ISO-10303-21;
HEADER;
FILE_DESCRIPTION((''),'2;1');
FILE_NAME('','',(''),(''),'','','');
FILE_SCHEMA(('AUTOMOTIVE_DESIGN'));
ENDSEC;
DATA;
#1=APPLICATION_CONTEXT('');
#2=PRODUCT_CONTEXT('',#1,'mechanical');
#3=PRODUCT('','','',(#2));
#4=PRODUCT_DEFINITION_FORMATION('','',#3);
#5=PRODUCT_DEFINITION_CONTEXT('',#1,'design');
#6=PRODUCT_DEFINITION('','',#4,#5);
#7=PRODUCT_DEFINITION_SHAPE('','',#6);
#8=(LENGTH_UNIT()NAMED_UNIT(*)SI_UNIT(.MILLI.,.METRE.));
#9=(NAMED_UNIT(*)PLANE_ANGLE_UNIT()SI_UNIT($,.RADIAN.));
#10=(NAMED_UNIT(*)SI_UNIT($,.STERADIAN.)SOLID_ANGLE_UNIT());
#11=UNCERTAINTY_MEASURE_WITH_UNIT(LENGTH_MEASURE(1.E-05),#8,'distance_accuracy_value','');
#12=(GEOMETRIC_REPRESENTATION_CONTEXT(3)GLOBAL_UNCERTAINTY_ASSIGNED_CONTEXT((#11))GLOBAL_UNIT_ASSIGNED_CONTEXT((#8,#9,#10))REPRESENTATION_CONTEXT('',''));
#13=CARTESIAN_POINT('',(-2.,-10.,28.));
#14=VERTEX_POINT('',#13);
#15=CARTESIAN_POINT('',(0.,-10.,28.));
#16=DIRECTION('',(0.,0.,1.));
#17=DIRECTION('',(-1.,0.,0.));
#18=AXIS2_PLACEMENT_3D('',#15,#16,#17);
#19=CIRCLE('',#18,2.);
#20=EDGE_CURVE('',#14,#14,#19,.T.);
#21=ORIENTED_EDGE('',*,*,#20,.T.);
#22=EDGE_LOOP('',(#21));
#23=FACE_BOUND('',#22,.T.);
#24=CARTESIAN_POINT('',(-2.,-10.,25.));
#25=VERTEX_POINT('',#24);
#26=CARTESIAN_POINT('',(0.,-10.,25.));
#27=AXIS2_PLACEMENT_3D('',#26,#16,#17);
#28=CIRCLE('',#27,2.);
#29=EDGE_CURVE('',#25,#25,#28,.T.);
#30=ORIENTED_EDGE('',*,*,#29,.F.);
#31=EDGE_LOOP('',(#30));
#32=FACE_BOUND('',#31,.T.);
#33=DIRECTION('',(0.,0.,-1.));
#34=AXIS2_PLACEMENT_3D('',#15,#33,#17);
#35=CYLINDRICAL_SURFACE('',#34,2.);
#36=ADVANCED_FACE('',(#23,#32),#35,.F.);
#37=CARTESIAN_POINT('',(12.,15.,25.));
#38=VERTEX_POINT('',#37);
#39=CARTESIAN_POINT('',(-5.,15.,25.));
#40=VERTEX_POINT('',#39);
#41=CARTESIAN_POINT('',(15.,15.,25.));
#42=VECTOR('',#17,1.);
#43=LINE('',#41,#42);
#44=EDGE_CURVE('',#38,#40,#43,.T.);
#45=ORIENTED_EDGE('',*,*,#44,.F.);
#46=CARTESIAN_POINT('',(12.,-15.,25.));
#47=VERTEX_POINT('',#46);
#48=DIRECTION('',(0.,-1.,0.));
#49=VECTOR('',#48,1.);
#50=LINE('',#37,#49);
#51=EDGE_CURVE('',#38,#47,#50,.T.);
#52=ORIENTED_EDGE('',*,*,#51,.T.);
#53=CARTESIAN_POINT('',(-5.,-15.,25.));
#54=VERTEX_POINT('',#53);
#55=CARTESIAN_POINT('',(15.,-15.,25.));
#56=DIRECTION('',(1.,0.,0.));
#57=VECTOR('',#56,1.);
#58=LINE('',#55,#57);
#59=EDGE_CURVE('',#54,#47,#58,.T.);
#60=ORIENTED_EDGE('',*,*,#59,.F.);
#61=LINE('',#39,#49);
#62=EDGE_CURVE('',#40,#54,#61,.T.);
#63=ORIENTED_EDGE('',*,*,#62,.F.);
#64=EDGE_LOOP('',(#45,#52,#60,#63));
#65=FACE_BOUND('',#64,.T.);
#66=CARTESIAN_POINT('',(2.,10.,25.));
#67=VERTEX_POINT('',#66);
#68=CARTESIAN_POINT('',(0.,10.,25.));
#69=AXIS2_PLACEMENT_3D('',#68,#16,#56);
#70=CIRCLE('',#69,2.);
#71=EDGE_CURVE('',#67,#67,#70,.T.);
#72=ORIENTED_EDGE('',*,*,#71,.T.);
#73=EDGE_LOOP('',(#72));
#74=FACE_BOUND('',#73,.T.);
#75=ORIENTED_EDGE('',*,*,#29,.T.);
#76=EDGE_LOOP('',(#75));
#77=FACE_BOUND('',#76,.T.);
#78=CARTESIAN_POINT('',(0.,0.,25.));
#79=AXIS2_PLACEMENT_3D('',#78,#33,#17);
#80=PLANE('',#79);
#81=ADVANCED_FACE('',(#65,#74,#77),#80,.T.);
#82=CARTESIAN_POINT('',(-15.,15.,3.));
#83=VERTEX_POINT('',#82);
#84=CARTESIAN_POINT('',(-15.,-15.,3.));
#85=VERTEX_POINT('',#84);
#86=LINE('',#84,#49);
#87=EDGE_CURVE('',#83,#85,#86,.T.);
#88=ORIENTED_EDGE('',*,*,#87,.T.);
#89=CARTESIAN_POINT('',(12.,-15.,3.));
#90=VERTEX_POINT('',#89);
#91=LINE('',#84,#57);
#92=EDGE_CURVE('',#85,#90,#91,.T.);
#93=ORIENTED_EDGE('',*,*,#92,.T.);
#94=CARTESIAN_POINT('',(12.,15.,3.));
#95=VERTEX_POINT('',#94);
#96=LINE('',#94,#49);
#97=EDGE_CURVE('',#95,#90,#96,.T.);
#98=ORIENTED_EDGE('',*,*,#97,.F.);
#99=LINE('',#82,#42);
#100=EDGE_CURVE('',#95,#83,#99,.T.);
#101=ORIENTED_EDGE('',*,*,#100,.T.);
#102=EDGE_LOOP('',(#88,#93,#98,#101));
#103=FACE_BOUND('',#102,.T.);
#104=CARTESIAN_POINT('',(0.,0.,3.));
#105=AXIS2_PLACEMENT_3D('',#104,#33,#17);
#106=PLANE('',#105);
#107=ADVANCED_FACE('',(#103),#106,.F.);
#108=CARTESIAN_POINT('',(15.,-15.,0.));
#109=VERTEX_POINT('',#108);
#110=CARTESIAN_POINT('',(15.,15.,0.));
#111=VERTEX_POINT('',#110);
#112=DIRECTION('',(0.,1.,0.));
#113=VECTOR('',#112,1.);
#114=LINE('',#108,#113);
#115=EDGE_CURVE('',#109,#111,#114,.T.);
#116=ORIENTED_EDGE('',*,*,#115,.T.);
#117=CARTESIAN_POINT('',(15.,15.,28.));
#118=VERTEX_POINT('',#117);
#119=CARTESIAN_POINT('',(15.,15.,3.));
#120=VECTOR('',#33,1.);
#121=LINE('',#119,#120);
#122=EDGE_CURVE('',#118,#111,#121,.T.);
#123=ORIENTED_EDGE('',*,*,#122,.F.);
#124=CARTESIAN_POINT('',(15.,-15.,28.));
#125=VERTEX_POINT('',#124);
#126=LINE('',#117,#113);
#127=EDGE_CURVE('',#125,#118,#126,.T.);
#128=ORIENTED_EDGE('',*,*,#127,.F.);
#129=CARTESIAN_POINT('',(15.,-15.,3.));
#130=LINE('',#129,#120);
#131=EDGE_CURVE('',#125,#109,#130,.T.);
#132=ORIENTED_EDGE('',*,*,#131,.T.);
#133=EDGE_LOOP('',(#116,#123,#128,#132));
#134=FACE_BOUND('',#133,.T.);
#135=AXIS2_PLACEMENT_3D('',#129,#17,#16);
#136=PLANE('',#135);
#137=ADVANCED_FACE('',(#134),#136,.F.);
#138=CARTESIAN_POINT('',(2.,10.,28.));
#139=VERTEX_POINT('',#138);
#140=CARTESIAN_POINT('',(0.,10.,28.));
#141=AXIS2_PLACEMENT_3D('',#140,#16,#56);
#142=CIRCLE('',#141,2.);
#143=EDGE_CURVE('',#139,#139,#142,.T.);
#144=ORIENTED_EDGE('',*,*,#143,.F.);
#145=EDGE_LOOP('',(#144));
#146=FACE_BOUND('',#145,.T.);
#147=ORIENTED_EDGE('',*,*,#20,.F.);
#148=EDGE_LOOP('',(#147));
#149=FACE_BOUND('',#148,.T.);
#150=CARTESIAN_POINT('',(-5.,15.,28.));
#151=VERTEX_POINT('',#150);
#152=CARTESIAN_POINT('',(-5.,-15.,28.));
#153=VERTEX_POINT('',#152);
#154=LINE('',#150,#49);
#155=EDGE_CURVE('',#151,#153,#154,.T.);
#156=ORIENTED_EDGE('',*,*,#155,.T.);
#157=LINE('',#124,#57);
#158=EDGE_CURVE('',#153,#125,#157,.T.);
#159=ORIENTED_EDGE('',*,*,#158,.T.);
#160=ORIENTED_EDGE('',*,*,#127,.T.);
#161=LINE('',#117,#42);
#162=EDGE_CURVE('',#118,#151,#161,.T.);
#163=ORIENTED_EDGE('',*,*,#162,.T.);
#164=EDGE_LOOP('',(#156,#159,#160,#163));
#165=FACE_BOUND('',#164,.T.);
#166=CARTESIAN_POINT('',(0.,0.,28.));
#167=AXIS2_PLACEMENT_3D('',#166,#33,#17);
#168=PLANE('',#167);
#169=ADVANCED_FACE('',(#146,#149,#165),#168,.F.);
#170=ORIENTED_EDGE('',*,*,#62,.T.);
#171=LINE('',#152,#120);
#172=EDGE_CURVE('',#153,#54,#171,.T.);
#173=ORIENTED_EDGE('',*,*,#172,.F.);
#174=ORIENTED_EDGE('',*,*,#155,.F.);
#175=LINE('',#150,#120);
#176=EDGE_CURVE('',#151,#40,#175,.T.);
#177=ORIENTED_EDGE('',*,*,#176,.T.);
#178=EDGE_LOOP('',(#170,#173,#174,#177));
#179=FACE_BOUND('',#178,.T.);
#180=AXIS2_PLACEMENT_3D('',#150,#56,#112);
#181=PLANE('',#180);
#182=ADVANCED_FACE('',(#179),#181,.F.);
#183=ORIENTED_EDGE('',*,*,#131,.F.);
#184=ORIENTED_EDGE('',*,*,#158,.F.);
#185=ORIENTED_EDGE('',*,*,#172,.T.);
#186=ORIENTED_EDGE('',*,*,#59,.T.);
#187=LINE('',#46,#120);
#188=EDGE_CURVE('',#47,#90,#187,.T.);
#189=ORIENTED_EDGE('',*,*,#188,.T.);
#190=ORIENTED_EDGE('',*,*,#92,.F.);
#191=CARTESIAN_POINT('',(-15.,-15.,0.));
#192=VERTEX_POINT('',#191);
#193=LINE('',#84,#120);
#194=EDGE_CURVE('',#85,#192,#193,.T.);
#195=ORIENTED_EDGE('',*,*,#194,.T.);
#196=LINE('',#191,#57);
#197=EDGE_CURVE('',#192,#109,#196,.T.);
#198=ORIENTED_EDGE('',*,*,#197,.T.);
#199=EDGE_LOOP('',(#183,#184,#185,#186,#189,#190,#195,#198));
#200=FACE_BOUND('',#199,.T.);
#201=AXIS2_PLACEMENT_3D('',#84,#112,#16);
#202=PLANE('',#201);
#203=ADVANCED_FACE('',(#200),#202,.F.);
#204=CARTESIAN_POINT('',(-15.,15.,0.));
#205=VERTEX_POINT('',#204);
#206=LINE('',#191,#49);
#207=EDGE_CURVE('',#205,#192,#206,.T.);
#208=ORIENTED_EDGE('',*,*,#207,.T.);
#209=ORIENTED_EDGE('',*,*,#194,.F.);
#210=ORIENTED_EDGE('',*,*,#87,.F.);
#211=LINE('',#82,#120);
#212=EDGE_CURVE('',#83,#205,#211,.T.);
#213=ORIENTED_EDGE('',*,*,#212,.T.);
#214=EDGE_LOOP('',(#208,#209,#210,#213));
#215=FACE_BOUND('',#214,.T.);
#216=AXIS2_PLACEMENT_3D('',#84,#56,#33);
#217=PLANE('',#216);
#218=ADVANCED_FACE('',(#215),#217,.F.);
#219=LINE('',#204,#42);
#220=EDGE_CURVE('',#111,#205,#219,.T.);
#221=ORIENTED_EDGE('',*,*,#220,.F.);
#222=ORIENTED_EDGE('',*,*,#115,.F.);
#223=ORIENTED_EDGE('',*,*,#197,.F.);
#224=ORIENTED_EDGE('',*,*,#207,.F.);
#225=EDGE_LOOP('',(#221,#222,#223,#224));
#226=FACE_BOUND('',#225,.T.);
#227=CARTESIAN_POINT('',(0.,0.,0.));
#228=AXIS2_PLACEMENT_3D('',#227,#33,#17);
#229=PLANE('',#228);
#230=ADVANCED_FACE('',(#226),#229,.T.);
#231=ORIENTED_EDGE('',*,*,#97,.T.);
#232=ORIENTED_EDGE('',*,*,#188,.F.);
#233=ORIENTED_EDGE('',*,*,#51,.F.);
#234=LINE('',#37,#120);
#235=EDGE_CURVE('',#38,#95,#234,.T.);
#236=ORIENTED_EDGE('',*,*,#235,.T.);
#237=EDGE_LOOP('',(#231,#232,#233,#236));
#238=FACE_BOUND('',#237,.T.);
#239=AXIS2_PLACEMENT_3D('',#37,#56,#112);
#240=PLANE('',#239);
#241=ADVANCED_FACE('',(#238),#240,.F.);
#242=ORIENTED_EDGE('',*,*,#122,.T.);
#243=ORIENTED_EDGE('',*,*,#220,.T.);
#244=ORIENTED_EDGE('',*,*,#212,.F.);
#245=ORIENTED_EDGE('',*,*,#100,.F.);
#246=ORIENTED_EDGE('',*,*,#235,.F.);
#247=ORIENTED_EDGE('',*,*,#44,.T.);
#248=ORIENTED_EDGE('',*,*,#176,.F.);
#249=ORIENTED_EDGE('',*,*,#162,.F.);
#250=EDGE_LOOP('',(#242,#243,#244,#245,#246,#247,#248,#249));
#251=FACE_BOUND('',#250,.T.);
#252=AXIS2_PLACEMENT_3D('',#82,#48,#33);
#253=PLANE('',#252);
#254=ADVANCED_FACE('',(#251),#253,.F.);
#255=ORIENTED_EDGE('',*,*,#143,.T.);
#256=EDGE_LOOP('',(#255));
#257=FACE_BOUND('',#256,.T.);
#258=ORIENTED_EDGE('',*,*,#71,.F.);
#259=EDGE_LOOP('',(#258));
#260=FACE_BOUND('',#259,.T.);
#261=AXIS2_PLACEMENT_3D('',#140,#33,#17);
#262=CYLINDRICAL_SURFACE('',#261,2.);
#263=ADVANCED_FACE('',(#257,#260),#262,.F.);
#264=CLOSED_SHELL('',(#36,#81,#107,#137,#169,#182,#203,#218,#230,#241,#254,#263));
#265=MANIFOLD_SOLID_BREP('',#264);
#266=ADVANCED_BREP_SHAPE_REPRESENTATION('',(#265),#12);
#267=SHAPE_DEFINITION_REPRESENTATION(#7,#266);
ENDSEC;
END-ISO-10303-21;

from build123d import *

# Parameters (mm, degrees)
SKETCH_1_W      = 30
SKETCH_1_H      = 30
EXTRUDE_1_DEPTH = 3
SKETCH_2_W      = 3
SKETCH_2_H      = 30
EXTRUDE_2_DEPTH = 22
SKETCH_3_W      = 20
SKETCH_3_H      = 30
SKETCH_3_R      = 2
EXTRUDE_3_DEPTH = 3


with BuildPart() as part:
    # 草图1 → 凸台-拉伸1 (new body)
    with BuildSketch(Plane.XY):
        Rectangle(SKETCH_1_W, SKETCH_1_H)
    extrude(amount=EXTRUDE_1_DEPTH)

    # 草图2 → 凸台-拉伸2 (add)
    with BuildSketch(Plane.XY.offset(3)):
        with Locations((13.5, 0)):
            Rectangle(SKETCH_2_W, SKETCH_2_H)
    extrude(amount=EXTRUDE_2_DEPTH)

    # 草图3 → 凸台-拉伸3 (add)
    with BuildSketch(Plane.XY.offset(25)):
        with Locations((5, 0)):
            Rectangle(SKETCH_3_W, SKETCH_3_H)
        with Locations((0, 10)):
            Circle(SKETCH_3_R, mode=Mode.SUBTRACT)
        with Locations(Location((0, -10, 0), (0, 0, 180))):
            Circle(SKETCH_3_R, mode=Mode.SUBTRACT)
    extrude(amount=EXTRUDE_3_DEPTH)


solid = part.part
